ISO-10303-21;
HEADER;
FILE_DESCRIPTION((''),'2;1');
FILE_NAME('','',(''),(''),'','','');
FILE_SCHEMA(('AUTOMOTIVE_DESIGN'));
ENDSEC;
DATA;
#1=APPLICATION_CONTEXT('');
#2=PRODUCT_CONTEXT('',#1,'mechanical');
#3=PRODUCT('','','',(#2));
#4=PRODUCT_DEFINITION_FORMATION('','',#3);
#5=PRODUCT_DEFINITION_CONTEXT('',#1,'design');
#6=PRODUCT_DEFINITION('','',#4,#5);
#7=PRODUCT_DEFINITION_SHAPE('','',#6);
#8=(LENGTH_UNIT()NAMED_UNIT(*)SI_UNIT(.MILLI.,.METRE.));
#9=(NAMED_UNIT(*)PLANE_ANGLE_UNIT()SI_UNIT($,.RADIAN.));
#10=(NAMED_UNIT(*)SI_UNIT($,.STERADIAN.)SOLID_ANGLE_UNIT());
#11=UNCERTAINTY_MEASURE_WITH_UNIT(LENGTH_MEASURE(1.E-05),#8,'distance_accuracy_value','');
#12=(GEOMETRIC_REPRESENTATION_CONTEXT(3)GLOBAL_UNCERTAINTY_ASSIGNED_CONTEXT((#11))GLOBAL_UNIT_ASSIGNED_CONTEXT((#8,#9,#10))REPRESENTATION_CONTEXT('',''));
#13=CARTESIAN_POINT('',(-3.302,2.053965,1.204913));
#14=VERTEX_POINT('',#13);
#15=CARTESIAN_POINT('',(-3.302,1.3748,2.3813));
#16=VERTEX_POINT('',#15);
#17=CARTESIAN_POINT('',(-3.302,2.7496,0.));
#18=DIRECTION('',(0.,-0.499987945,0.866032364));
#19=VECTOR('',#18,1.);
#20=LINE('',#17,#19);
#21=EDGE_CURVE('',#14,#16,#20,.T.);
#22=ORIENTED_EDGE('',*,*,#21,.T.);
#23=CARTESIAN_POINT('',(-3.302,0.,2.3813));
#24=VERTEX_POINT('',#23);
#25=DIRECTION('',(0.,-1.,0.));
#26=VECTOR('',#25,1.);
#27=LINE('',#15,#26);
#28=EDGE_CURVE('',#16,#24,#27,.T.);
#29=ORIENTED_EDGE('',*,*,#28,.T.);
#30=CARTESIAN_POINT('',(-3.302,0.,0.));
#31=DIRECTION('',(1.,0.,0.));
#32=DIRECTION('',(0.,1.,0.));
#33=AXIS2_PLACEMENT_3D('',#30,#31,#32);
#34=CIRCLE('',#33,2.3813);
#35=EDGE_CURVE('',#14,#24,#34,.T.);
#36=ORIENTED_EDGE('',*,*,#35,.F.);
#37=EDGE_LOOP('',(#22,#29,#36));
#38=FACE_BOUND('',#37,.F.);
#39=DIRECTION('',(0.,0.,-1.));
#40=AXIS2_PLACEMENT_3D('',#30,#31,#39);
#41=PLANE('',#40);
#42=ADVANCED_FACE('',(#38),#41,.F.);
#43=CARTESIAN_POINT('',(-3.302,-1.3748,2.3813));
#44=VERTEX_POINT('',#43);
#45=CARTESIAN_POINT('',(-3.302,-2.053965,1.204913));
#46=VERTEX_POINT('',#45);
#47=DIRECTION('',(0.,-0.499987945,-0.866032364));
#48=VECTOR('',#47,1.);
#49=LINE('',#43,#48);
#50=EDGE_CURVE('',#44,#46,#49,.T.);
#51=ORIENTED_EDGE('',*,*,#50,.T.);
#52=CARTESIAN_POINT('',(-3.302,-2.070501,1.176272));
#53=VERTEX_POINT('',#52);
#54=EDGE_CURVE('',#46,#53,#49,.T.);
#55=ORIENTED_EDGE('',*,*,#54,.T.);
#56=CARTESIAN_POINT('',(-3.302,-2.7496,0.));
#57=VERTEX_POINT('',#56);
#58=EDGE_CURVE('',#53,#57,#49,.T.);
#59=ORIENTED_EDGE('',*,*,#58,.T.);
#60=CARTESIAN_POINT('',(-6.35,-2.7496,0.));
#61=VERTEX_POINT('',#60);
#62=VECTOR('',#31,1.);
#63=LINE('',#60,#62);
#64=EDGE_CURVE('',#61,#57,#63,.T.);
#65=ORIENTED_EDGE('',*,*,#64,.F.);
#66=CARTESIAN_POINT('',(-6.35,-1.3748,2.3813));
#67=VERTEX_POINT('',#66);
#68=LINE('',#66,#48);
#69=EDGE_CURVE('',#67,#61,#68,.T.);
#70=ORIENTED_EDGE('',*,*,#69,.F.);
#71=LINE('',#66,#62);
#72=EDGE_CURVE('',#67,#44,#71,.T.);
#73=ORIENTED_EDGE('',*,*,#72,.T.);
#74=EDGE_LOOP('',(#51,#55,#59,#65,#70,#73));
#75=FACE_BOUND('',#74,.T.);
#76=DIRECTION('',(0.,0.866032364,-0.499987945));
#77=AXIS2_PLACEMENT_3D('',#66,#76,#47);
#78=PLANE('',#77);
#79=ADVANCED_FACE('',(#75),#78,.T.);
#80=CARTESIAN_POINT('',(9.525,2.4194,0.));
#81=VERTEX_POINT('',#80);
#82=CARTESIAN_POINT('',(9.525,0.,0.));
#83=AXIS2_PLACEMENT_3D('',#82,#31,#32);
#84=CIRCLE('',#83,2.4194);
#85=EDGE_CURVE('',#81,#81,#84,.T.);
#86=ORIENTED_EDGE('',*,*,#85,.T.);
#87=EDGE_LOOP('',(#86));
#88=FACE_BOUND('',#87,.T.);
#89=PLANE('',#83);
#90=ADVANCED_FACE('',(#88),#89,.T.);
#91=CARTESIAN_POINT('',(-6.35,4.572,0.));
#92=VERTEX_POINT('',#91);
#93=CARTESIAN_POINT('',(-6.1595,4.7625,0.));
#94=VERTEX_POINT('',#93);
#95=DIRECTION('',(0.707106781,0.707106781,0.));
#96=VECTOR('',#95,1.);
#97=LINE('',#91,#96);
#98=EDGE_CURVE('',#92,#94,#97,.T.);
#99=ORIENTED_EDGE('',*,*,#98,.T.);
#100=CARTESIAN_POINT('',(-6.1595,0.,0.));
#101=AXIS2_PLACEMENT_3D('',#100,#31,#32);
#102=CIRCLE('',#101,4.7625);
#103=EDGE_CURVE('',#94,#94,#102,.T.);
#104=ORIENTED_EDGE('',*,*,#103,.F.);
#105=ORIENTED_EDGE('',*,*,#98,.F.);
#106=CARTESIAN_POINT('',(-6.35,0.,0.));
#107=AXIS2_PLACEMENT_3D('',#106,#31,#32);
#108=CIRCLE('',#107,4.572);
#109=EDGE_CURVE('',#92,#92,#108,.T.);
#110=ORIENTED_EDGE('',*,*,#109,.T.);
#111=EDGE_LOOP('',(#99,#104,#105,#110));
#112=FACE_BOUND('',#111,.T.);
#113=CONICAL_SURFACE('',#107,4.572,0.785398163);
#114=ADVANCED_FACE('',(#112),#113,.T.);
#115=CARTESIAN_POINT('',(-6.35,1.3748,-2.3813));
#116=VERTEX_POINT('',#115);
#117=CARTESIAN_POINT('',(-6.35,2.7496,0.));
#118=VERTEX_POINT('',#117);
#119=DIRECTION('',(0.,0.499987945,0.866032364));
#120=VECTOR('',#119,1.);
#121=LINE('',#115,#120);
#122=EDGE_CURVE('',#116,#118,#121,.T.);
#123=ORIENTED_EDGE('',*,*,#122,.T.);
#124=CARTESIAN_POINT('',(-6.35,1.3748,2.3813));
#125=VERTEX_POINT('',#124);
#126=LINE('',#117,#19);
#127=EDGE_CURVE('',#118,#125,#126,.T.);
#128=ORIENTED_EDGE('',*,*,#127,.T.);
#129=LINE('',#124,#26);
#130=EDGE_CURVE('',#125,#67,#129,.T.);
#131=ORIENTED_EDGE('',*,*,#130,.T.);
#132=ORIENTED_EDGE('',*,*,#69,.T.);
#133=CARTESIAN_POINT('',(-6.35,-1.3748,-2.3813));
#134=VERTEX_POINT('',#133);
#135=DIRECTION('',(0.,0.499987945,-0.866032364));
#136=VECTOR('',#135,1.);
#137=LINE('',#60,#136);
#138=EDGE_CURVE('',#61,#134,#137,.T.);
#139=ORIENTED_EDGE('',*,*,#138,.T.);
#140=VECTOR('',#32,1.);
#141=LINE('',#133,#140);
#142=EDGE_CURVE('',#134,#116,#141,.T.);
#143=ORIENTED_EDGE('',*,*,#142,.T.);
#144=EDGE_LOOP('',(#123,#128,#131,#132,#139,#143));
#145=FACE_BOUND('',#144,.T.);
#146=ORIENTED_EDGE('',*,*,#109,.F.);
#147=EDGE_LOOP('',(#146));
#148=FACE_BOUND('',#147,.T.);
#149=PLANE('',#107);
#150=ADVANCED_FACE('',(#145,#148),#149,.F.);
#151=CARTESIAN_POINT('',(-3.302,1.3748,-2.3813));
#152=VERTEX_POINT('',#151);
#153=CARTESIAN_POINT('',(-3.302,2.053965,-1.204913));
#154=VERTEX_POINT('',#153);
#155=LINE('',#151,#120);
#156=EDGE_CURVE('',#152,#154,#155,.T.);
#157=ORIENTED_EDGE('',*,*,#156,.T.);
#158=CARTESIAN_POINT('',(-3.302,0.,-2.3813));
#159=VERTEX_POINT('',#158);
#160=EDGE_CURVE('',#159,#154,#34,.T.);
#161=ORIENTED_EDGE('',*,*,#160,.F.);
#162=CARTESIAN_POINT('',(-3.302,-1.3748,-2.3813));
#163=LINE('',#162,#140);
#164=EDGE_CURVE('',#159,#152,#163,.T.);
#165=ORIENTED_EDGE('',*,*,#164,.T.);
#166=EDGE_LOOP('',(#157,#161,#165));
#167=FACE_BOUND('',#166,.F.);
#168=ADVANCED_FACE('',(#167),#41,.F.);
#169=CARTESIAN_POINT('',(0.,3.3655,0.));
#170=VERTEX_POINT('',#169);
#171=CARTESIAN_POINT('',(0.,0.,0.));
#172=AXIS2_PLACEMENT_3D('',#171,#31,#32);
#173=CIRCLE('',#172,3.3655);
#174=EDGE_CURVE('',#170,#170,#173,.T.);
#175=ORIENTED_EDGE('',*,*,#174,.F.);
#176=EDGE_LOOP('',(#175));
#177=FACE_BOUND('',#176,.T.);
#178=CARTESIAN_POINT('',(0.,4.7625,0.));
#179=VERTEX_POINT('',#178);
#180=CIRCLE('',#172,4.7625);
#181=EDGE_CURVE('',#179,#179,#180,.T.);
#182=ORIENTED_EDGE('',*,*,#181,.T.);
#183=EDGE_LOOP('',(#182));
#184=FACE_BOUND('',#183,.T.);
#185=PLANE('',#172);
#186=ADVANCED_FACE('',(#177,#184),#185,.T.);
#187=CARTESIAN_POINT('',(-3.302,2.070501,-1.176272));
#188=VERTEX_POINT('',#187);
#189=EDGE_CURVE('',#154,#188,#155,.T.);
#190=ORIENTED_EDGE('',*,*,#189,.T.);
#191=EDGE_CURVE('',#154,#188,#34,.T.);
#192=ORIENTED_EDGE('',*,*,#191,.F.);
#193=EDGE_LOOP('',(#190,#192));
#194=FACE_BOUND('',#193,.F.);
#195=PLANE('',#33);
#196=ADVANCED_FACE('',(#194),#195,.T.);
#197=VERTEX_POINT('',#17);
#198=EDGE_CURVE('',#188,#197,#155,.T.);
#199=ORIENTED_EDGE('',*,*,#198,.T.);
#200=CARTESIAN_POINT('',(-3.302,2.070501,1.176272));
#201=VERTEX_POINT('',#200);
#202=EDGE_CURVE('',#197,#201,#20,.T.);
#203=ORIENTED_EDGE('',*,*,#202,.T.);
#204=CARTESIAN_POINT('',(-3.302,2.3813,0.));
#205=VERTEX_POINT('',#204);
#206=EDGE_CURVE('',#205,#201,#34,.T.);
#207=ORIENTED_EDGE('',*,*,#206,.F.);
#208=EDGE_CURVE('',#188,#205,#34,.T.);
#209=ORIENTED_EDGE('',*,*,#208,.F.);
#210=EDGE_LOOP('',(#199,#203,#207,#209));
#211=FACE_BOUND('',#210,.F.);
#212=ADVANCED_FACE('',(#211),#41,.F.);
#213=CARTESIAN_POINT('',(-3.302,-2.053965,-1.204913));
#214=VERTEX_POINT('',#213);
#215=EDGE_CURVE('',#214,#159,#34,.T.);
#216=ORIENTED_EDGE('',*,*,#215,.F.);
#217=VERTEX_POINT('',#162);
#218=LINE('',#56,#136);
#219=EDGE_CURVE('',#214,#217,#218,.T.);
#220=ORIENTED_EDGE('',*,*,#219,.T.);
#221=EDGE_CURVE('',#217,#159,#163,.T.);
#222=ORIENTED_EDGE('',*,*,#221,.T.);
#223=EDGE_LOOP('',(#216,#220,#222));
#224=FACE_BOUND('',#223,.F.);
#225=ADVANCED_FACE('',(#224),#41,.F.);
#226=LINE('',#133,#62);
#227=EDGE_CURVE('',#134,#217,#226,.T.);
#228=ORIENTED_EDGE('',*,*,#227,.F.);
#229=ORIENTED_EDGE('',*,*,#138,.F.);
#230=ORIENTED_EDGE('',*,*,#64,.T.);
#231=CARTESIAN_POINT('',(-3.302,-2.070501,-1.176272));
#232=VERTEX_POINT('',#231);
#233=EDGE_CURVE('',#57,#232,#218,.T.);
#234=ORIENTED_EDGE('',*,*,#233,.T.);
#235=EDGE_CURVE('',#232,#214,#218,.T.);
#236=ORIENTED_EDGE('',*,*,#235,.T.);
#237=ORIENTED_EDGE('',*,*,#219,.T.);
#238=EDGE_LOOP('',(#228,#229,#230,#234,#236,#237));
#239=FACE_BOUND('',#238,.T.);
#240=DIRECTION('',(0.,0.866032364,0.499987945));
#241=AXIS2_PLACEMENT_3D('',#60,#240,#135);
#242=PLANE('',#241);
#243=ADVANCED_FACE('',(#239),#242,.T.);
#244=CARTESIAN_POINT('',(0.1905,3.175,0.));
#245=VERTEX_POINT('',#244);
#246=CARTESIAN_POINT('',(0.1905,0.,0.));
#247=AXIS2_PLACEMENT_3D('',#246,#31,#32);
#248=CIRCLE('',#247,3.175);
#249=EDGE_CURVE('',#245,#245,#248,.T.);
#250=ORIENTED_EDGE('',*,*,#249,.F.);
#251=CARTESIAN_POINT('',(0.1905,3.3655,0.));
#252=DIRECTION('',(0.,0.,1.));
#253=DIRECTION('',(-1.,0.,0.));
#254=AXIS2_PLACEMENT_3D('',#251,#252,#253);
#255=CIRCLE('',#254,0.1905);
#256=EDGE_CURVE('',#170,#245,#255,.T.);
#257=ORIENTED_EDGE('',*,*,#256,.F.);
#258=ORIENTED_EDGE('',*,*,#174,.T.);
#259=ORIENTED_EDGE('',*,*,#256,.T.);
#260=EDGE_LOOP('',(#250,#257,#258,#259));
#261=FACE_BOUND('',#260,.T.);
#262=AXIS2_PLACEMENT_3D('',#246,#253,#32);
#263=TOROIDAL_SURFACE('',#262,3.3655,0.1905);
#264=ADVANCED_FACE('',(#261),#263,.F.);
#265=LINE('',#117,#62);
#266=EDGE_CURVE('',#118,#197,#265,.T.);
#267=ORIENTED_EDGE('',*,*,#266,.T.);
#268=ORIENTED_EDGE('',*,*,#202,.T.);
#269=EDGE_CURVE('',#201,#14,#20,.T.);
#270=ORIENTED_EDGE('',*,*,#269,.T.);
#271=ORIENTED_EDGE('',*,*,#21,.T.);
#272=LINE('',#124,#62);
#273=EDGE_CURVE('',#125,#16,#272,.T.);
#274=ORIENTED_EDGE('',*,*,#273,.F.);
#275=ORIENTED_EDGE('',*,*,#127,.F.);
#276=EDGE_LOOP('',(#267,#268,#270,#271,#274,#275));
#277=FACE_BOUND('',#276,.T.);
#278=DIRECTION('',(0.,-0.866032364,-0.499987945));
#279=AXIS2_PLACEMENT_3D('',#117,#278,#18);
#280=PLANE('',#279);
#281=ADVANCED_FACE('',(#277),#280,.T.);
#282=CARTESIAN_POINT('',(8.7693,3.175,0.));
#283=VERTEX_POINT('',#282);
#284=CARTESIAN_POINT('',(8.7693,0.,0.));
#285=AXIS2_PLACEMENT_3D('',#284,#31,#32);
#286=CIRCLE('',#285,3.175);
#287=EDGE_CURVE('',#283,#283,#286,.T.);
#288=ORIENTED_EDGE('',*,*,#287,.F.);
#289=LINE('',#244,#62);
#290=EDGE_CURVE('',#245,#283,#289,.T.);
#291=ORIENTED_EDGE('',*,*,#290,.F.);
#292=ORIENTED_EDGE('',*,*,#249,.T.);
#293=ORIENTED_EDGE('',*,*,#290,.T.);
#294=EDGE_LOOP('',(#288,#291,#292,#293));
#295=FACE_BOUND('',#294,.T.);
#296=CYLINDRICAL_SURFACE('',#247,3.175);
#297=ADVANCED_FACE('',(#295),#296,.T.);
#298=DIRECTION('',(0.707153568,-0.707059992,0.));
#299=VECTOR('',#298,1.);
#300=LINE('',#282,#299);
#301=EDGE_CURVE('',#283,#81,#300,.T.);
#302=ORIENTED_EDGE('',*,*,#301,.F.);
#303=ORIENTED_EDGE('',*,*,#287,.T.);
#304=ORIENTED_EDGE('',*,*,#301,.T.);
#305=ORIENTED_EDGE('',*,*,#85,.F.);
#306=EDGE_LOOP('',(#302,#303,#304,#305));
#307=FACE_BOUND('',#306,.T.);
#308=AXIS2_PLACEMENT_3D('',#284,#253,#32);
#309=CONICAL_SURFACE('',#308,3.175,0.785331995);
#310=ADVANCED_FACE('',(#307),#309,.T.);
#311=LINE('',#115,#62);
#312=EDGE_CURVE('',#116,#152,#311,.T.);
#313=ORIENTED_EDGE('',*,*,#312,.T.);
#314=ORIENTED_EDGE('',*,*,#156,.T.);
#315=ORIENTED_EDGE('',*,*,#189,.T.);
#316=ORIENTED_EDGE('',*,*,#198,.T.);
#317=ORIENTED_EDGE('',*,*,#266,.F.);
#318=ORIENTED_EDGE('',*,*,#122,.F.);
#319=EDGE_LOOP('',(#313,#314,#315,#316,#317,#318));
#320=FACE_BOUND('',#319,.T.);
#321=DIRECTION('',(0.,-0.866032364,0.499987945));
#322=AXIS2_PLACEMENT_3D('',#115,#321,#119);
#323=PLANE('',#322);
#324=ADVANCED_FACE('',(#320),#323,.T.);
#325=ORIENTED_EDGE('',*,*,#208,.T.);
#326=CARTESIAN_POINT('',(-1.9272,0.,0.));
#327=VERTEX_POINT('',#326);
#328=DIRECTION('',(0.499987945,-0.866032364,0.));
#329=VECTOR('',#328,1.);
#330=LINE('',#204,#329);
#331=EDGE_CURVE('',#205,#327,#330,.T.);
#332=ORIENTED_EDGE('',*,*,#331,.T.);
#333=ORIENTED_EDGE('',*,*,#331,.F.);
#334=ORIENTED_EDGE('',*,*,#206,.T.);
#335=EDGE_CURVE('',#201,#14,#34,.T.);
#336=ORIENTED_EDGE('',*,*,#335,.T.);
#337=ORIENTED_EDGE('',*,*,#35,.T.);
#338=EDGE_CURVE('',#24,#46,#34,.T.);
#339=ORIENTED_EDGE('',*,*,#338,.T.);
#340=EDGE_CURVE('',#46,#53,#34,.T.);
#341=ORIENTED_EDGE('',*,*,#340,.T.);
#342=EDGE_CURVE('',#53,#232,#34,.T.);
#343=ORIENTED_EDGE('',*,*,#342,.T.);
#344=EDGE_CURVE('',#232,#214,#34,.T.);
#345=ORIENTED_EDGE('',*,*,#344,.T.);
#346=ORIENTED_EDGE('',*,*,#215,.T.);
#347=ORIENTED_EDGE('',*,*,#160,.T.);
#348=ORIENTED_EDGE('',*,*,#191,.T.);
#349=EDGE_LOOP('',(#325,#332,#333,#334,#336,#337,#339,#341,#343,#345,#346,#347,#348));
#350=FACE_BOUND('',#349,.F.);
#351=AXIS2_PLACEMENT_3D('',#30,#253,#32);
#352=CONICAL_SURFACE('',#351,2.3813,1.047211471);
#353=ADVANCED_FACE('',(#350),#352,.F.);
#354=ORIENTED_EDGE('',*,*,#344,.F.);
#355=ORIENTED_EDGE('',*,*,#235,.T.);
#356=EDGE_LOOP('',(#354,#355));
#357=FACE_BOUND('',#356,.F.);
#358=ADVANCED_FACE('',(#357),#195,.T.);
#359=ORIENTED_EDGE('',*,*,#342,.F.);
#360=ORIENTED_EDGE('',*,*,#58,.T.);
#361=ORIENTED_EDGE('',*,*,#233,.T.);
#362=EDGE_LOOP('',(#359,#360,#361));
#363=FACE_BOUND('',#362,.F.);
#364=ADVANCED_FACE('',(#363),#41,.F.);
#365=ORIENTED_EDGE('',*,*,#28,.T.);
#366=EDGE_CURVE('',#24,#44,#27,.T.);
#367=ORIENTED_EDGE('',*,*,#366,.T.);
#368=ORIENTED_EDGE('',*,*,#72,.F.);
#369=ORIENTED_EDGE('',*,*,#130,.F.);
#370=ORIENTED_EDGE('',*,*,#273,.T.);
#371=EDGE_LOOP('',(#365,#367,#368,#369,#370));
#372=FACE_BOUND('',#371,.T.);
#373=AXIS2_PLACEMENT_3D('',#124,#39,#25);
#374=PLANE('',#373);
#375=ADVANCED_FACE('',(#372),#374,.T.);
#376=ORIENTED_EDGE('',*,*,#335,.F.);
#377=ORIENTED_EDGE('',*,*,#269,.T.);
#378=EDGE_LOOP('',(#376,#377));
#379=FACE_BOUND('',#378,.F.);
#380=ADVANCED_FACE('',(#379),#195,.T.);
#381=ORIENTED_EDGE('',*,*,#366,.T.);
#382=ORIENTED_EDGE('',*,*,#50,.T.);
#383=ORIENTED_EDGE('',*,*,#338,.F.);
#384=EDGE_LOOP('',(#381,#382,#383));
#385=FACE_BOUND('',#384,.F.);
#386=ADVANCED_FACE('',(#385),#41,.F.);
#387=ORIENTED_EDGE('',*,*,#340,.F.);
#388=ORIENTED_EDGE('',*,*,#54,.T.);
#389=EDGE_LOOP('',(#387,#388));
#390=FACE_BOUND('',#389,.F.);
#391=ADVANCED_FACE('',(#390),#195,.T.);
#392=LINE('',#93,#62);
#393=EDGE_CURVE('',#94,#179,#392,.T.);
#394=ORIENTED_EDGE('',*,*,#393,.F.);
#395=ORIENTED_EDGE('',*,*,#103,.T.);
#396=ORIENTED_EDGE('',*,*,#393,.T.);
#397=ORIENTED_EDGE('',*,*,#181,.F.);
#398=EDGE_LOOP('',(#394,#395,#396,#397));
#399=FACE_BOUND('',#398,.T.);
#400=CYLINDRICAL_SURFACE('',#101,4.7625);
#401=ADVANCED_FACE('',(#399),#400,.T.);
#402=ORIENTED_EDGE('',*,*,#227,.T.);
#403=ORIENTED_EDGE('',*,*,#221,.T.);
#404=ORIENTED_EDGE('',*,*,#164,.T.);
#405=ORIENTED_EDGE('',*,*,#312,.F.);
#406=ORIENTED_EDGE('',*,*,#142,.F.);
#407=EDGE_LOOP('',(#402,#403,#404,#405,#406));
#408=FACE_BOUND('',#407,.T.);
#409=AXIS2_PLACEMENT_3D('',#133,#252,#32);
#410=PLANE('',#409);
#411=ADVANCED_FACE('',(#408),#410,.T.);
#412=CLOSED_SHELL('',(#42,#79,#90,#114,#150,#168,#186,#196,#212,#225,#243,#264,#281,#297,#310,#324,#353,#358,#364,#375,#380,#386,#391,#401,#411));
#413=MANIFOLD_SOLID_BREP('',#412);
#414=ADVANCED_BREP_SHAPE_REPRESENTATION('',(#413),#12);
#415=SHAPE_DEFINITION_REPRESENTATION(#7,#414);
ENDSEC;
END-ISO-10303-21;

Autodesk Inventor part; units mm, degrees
sketch "Sketch_1" plane through (0, 0, 0) normal (0, 0, 1) x (1, 0, 0)
  line L0 (9.525, 0) -> (-6.35, 0)
  line L1 (-6.35, 0) -> (-6.35, 4.572)
  line L2 (-6.35, 4.572) -> (-6.1595, 4.7625)
  line L3 (-6.1595, 4.7625) -> (0, 4.7625)
  line L4 (0, 4.7625) -> (0, 3.3655)
  arc A0 (0, 3.3655) -> (0.1905, 3.175) centre (0.1905, 3.3655) ccw
  line L5 (0.1905, 3.175) -> (8.7693, 3.175)
  line L6 (8.7693, 3.175) -> (9.525, 2.4194)
  line L7 (9.525, 2.4194) -> (9.525, 0)
  line L8 (9.525, 0) -> (-6.35, 0)
revolve "Revolution1" add sketch "Sketch_1" angle 360 about axis through (9.525, 0, 0) along (1, 0, 0)
thread "Thread1" size "1/4-20 UNC" class "2A" standard "ANSI Unified Screw Threads" length 6.3881
sketch "Sketch_3" plane through (-6.35, 0, 0) normal (1, 0, 0) x (0, 0, -1)
  line L0 (-2.3813, -1.3748) -> (0, -2.7496)
  line L1 (0, -2.7496) -> (2.3813, -1.3748)
  line L2 (2.3813, -1.3748) -> (2.3813, 1.3748)
  line L3 (2.3813, 1.3748) -> (0, 2.7496)
  line L4 (0, 2.7496) -> (-2.3813, 1.3748)
  line L5 (-2.3813, 1.3748) -> (-2.3813, -1.3748)
extrude "Extrusion1" cut sketch "Sketch_3" along normal blind 3.048
sketch "Sketch_4" plane through (0, 0, 0) normal (0, 0, 1) x (1, 0, 0)
  line L0 (-1.9272, 0) -> (-3.302, 0)
  line L1 (-3.302, 0) -> (-3.302, 2.3813)
  line L2 (-3.302, 2.3813) -> (-1.9272, 0)
  line L3 (-1.9272, 0) -> (-3.302, 0)
revolve "Revolution2" cut sketch "Sketch_4" angle 360 about axis through (-1.9272, 0, 0) along (1, 0, 0)
ref_plane "screw_XY" through (0, 0, 0) normal (1, 0, 0) x (0, 0, -1)
ref_plane "screw_YZ" through (0, 0, 0) normal (0, 0, -1) x (0, 1, 0)
ref_plane "screw_ZX" through (0, 0, 0) normal (0, 1, 0) x (1, 0, 0)
ref_plane "screw1_XY" through (9.525, 0, 0) normal (1, 0, 0) x (0, 0, -1)
ref_plane "screw1_YZ" through (9.525, 0, 0) normal (0, 0, -1) x (0, 1, 0)
ref_plane "screw1_ZX" through (9.525, 0, 0) normal (0, 1, 0) x (1, 0, 0)
ref_plane "screw2_XY" through (4.445, 0, 0) normal (1, 0, 0) x (0, 0, -1)
ref_plane "screw2_YZ" through (4.445, 0, 0) normal (0, 0, -1) x (0, 1, 0)
ref_plane "screw2_ZX" through (4.445, 0, 0) normal (0, 1, 0) x (1, 0, 0)
ref_plane "to_tnut_XY" through (7.366, 0, 0) normal (1, 0, 0) x (0, 0, -1)
ref_plane "to_tnut_YZ" through (7.366, 0, 0) normal (0, 0, -1) x (0, 1, 0)
ref_plane "to_tnut_ZX" through (7.366, 0, 0) normal (0, 1, 0) x (1, 0, 0)
properties part number "3058"
